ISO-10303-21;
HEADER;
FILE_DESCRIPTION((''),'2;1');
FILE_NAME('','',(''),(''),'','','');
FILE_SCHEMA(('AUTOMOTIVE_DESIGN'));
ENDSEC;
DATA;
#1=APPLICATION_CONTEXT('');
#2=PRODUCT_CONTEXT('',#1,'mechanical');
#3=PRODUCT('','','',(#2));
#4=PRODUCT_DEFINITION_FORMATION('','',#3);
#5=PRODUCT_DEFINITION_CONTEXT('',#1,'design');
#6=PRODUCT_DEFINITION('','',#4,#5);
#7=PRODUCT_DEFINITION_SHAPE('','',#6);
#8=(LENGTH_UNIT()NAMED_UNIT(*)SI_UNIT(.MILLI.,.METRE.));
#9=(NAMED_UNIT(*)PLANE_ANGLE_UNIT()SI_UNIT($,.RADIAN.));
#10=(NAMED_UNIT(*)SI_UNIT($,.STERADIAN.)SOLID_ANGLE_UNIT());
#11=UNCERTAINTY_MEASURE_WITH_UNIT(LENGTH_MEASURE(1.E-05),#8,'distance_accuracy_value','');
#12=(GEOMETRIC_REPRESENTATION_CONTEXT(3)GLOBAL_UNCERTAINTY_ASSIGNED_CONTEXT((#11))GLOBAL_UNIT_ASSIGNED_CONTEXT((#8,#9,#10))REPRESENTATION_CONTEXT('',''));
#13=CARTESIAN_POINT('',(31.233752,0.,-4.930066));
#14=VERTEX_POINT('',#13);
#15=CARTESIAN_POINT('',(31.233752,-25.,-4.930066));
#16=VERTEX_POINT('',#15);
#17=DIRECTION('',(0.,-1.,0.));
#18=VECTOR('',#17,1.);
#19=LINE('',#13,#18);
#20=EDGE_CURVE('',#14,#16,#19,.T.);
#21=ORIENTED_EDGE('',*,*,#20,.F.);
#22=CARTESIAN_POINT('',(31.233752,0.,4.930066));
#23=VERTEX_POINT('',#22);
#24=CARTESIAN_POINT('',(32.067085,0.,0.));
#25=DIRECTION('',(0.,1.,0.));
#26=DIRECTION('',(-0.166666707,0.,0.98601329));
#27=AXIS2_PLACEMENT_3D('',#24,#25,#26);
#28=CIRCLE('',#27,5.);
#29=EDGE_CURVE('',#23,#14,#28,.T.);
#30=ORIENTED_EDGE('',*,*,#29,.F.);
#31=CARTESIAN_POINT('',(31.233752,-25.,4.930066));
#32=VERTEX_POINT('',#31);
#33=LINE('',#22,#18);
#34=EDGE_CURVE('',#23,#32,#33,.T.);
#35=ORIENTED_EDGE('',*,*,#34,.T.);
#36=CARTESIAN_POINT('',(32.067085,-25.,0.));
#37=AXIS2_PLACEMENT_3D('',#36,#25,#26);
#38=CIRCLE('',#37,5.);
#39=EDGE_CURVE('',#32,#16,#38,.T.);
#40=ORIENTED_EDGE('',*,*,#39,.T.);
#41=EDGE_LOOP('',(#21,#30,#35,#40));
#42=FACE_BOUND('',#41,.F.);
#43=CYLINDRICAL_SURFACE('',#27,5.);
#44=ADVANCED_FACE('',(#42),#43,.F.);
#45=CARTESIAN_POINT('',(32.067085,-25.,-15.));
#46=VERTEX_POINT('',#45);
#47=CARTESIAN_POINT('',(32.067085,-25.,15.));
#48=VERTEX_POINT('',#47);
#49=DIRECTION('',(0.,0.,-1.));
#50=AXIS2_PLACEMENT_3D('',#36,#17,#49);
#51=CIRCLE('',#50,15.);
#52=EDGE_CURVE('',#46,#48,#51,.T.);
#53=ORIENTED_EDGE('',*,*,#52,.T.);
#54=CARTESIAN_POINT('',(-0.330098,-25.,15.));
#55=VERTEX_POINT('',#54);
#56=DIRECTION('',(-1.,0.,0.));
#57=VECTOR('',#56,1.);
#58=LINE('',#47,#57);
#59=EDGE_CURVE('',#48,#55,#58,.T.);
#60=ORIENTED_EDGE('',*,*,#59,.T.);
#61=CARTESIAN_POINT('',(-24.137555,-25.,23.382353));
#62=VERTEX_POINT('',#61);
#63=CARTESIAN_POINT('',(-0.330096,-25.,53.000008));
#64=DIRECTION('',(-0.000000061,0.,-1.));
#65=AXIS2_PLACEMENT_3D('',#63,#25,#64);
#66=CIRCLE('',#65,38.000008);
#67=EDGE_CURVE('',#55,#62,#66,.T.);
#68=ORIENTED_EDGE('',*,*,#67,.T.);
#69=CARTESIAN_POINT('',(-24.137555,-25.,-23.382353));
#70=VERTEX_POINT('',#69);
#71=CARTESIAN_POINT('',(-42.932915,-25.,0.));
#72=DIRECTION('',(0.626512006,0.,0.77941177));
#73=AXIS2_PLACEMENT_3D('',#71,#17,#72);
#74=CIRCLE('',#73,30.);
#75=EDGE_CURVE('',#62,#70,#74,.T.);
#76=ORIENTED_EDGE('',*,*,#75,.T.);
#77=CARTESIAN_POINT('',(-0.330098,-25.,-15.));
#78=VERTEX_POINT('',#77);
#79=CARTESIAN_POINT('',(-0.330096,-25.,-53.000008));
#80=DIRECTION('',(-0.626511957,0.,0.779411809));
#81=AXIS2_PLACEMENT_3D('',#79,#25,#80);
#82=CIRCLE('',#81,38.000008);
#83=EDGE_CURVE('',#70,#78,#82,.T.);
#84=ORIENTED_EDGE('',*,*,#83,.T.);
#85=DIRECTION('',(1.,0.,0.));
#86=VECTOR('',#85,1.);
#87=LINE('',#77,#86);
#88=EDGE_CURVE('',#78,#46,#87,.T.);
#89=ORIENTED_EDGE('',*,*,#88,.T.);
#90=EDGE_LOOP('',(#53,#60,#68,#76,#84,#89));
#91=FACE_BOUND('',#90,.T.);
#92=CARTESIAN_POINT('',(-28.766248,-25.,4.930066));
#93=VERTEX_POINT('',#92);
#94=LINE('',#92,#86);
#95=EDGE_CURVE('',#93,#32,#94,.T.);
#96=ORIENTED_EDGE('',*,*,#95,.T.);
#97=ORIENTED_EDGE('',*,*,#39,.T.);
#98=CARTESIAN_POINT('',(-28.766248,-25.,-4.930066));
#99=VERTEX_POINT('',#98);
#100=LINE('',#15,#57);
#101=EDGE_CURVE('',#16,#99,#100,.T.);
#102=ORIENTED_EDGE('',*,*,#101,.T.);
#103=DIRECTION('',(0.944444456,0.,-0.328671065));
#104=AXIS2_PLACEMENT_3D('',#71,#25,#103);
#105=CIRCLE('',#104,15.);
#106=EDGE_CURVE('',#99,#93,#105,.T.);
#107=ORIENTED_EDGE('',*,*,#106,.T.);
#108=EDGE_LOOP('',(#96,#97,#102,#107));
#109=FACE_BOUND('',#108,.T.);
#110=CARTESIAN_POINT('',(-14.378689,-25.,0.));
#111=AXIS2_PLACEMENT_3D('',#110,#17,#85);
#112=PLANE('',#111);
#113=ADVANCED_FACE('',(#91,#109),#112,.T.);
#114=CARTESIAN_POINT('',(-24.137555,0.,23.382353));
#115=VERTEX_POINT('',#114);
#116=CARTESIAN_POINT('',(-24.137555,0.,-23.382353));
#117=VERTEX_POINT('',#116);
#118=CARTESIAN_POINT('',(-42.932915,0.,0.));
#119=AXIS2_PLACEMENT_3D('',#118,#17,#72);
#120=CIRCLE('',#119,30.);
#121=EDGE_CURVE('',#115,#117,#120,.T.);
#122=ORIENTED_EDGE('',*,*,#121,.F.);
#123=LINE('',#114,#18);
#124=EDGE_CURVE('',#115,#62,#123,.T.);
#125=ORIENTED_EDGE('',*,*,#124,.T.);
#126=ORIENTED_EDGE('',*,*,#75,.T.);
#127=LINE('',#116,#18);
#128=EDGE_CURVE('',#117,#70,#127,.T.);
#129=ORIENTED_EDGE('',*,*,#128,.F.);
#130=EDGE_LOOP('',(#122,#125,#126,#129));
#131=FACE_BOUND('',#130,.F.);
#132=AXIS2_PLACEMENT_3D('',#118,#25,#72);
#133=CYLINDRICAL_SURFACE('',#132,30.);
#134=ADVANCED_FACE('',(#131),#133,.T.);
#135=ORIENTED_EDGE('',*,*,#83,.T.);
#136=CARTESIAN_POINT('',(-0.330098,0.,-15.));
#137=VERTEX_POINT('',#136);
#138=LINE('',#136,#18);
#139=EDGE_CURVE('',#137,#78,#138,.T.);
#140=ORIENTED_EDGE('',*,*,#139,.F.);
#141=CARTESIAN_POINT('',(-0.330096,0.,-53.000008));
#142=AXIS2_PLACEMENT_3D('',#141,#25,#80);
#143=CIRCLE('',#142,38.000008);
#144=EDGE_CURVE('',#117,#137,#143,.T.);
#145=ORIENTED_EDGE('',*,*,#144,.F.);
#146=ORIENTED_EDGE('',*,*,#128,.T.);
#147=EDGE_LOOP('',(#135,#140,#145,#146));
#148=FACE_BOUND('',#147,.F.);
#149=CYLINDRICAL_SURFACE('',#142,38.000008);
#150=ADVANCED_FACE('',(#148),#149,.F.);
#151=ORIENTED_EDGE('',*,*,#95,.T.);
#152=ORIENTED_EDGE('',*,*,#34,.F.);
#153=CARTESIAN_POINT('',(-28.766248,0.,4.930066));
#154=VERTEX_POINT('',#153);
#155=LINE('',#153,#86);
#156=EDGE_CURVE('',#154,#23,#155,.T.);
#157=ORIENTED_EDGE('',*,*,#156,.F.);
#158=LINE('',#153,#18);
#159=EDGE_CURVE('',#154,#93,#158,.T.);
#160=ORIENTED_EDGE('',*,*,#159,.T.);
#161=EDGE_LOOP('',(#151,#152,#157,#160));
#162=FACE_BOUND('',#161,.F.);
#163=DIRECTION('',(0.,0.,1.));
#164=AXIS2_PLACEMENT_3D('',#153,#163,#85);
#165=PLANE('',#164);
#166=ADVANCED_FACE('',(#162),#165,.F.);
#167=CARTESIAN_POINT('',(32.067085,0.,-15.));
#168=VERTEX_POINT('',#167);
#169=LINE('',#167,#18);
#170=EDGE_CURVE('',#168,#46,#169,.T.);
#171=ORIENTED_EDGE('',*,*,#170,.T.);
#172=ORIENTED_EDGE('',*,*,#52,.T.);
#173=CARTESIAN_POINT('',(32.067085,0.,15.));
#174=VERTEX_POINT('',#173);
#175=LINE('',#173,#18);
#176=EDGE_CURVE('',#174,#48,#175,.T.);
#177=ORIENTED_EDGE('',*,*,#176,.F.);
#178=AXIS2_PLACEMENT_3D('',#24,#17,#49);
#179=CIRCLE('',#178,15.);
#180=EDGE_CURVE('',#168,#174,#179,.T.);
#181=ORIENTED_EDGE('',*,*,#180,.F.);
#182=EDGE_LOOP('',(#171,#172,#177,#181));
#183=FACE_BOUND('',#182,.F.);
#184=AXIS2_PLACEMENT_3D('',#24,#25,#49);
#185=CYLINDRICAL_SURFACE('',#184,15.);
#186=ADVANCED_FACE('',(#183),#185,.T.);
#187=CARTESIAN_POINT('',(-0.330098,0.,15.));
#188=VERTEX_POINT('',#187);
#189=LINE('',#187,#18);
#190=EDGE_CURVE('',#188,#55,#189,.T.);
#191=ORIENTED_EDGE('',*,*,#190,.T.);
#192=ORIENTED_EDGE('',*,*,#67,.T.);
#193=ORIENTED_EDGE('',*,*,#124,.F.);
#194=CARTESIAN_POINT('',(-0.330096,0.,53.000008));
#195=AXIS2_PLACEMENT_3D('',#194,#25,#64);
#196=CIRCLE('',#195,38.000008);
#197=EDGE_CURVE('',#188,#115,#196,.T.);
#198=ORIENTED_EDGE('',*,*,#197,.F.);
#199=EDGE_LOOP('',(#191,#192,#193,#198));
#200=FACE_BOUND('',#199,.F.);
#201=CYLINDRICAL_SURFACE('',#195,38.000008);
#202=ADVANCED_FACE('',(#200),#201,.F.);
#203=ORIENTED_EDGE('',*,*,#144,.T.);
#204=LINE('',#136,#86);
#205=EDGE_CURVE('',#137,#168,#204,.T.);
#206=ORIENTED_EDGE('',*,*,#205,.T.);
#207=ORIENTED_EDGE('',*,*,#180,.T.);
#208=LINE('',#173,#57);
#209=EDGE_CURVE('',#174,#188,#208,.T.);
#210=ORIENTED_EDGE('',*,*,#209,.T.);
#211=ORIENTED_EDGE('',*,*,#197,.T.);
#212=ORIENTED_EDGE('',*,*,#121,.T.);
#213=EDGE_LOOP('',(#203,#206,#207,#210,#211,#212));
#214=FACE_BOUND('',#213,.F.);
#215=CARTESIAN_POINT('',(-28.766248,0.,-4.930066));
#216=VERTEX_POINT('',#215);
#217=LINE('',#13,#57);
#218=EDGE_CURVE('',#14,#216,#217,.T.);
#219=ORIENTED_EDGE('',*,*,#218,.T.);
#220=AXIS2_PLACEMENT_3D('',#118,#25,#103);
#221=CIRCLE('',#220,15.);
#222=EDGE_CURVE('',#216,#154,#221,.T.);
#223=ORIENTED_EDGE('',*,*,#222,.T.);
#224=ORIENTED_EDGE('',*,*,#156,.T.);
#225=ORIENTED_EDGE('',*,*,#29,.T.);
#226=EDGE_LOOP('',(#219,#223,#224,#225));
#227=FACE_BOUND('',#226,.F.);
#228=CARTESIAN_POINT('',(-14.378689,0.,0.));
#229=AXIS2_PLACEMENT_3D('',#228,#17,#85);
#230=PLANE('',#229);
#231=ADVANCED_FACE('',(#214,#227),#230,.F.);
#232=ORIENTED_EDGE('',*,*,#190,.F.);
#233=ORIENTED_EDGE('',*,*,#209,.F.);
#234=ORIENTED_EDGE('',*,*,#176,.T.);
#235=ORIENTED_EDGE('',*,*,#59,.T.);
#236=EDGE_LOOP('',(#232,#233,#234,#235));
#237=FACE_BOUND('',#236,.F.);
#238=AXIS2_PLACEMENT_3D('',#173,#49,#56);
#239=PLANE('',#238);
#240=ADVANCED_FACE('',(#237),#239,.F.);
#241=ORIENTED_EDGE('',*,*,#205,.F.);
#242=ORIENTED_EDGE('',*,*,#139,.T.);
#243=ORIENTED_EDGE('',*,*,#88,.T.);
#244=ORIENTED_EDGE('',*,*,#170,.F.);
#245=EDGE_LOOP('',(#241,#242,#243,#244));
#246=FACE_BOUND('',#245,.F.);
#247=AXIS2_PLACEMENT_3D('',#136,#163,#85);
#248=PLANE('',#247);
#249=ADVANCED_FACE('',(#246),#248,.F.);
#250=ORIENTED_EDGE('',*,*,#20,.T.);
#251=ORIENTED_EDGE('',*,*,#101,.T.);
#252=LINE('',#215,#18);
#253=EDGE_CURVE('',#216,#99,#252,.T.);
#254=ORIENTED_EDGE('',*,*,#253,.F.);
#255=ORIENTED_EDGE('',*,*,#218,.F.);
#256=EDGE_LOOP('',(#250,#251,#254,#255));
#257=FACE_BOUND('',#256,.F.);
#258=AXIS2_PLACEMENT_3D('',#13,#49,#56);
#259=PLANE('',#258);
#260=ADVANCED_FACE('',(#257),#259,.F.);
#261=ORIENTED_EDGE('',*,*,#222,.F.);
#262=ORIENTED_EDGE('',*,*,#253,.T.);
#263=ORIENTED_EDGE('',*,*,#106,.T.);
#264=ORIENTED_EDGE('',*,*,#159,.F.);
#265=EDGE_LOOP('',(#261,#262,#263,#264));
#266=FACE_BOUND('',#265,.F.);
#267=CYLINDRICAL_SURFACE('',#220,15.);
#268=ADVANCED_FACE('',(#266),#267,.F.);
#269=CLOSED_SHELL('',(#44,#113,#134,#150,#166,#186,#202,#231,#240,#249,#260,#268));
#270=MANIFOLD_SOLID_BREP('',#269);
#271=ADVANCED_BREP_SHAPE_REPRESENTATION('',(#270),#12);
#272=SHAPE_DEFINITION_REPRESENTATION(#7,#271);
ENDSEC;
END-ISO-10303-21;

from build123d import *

# Parameters (mm, degrees)
F1_DEPTH = 25


with BuildPart() as f1:
    # F0 (on Front) → F1 (new body)
    with BuildSketch(Plane.XZ):
        with BuildLine():
            ThreePointArc((-0.330098, 15), (-12.95011, 17.156796), (-24.137555, 23.382353))
            ThreePointArc((-24.137555, 23.382353), (-72.932915, 0), (-24.137555, -23.382353))
            ThreePointArc((-24.137555, -23.382353), (-12.95011, -17.156796), (-0.330098, -15))
            Line((-0.330098, -15), (32.067085, -15))
            ThreePointArc((32.067085, -15), (47.067085, 0), (32.067085, 15))
            Line((32.067085, 15), (-0.330098, 15))
        make_face()
        with BuildLine():
            ThreePointArc((-28.766248, -4.930066), (-57.932915, 0), (-28.766248, 4.930066))
            Line((-28.766248, 4.930066), (31.233752, 4.930066))
            ThreePointArc((31.233752, 4.930066), (37.067085, 0), (31.233752, -4.930066))
            Line((31.233752, -4.930066), (-28.766248, -4.930066))
        make_face(mode=Mode.SUBTRACT)
    extrude(amount=F1_DEPTH)


solid = f1.part
